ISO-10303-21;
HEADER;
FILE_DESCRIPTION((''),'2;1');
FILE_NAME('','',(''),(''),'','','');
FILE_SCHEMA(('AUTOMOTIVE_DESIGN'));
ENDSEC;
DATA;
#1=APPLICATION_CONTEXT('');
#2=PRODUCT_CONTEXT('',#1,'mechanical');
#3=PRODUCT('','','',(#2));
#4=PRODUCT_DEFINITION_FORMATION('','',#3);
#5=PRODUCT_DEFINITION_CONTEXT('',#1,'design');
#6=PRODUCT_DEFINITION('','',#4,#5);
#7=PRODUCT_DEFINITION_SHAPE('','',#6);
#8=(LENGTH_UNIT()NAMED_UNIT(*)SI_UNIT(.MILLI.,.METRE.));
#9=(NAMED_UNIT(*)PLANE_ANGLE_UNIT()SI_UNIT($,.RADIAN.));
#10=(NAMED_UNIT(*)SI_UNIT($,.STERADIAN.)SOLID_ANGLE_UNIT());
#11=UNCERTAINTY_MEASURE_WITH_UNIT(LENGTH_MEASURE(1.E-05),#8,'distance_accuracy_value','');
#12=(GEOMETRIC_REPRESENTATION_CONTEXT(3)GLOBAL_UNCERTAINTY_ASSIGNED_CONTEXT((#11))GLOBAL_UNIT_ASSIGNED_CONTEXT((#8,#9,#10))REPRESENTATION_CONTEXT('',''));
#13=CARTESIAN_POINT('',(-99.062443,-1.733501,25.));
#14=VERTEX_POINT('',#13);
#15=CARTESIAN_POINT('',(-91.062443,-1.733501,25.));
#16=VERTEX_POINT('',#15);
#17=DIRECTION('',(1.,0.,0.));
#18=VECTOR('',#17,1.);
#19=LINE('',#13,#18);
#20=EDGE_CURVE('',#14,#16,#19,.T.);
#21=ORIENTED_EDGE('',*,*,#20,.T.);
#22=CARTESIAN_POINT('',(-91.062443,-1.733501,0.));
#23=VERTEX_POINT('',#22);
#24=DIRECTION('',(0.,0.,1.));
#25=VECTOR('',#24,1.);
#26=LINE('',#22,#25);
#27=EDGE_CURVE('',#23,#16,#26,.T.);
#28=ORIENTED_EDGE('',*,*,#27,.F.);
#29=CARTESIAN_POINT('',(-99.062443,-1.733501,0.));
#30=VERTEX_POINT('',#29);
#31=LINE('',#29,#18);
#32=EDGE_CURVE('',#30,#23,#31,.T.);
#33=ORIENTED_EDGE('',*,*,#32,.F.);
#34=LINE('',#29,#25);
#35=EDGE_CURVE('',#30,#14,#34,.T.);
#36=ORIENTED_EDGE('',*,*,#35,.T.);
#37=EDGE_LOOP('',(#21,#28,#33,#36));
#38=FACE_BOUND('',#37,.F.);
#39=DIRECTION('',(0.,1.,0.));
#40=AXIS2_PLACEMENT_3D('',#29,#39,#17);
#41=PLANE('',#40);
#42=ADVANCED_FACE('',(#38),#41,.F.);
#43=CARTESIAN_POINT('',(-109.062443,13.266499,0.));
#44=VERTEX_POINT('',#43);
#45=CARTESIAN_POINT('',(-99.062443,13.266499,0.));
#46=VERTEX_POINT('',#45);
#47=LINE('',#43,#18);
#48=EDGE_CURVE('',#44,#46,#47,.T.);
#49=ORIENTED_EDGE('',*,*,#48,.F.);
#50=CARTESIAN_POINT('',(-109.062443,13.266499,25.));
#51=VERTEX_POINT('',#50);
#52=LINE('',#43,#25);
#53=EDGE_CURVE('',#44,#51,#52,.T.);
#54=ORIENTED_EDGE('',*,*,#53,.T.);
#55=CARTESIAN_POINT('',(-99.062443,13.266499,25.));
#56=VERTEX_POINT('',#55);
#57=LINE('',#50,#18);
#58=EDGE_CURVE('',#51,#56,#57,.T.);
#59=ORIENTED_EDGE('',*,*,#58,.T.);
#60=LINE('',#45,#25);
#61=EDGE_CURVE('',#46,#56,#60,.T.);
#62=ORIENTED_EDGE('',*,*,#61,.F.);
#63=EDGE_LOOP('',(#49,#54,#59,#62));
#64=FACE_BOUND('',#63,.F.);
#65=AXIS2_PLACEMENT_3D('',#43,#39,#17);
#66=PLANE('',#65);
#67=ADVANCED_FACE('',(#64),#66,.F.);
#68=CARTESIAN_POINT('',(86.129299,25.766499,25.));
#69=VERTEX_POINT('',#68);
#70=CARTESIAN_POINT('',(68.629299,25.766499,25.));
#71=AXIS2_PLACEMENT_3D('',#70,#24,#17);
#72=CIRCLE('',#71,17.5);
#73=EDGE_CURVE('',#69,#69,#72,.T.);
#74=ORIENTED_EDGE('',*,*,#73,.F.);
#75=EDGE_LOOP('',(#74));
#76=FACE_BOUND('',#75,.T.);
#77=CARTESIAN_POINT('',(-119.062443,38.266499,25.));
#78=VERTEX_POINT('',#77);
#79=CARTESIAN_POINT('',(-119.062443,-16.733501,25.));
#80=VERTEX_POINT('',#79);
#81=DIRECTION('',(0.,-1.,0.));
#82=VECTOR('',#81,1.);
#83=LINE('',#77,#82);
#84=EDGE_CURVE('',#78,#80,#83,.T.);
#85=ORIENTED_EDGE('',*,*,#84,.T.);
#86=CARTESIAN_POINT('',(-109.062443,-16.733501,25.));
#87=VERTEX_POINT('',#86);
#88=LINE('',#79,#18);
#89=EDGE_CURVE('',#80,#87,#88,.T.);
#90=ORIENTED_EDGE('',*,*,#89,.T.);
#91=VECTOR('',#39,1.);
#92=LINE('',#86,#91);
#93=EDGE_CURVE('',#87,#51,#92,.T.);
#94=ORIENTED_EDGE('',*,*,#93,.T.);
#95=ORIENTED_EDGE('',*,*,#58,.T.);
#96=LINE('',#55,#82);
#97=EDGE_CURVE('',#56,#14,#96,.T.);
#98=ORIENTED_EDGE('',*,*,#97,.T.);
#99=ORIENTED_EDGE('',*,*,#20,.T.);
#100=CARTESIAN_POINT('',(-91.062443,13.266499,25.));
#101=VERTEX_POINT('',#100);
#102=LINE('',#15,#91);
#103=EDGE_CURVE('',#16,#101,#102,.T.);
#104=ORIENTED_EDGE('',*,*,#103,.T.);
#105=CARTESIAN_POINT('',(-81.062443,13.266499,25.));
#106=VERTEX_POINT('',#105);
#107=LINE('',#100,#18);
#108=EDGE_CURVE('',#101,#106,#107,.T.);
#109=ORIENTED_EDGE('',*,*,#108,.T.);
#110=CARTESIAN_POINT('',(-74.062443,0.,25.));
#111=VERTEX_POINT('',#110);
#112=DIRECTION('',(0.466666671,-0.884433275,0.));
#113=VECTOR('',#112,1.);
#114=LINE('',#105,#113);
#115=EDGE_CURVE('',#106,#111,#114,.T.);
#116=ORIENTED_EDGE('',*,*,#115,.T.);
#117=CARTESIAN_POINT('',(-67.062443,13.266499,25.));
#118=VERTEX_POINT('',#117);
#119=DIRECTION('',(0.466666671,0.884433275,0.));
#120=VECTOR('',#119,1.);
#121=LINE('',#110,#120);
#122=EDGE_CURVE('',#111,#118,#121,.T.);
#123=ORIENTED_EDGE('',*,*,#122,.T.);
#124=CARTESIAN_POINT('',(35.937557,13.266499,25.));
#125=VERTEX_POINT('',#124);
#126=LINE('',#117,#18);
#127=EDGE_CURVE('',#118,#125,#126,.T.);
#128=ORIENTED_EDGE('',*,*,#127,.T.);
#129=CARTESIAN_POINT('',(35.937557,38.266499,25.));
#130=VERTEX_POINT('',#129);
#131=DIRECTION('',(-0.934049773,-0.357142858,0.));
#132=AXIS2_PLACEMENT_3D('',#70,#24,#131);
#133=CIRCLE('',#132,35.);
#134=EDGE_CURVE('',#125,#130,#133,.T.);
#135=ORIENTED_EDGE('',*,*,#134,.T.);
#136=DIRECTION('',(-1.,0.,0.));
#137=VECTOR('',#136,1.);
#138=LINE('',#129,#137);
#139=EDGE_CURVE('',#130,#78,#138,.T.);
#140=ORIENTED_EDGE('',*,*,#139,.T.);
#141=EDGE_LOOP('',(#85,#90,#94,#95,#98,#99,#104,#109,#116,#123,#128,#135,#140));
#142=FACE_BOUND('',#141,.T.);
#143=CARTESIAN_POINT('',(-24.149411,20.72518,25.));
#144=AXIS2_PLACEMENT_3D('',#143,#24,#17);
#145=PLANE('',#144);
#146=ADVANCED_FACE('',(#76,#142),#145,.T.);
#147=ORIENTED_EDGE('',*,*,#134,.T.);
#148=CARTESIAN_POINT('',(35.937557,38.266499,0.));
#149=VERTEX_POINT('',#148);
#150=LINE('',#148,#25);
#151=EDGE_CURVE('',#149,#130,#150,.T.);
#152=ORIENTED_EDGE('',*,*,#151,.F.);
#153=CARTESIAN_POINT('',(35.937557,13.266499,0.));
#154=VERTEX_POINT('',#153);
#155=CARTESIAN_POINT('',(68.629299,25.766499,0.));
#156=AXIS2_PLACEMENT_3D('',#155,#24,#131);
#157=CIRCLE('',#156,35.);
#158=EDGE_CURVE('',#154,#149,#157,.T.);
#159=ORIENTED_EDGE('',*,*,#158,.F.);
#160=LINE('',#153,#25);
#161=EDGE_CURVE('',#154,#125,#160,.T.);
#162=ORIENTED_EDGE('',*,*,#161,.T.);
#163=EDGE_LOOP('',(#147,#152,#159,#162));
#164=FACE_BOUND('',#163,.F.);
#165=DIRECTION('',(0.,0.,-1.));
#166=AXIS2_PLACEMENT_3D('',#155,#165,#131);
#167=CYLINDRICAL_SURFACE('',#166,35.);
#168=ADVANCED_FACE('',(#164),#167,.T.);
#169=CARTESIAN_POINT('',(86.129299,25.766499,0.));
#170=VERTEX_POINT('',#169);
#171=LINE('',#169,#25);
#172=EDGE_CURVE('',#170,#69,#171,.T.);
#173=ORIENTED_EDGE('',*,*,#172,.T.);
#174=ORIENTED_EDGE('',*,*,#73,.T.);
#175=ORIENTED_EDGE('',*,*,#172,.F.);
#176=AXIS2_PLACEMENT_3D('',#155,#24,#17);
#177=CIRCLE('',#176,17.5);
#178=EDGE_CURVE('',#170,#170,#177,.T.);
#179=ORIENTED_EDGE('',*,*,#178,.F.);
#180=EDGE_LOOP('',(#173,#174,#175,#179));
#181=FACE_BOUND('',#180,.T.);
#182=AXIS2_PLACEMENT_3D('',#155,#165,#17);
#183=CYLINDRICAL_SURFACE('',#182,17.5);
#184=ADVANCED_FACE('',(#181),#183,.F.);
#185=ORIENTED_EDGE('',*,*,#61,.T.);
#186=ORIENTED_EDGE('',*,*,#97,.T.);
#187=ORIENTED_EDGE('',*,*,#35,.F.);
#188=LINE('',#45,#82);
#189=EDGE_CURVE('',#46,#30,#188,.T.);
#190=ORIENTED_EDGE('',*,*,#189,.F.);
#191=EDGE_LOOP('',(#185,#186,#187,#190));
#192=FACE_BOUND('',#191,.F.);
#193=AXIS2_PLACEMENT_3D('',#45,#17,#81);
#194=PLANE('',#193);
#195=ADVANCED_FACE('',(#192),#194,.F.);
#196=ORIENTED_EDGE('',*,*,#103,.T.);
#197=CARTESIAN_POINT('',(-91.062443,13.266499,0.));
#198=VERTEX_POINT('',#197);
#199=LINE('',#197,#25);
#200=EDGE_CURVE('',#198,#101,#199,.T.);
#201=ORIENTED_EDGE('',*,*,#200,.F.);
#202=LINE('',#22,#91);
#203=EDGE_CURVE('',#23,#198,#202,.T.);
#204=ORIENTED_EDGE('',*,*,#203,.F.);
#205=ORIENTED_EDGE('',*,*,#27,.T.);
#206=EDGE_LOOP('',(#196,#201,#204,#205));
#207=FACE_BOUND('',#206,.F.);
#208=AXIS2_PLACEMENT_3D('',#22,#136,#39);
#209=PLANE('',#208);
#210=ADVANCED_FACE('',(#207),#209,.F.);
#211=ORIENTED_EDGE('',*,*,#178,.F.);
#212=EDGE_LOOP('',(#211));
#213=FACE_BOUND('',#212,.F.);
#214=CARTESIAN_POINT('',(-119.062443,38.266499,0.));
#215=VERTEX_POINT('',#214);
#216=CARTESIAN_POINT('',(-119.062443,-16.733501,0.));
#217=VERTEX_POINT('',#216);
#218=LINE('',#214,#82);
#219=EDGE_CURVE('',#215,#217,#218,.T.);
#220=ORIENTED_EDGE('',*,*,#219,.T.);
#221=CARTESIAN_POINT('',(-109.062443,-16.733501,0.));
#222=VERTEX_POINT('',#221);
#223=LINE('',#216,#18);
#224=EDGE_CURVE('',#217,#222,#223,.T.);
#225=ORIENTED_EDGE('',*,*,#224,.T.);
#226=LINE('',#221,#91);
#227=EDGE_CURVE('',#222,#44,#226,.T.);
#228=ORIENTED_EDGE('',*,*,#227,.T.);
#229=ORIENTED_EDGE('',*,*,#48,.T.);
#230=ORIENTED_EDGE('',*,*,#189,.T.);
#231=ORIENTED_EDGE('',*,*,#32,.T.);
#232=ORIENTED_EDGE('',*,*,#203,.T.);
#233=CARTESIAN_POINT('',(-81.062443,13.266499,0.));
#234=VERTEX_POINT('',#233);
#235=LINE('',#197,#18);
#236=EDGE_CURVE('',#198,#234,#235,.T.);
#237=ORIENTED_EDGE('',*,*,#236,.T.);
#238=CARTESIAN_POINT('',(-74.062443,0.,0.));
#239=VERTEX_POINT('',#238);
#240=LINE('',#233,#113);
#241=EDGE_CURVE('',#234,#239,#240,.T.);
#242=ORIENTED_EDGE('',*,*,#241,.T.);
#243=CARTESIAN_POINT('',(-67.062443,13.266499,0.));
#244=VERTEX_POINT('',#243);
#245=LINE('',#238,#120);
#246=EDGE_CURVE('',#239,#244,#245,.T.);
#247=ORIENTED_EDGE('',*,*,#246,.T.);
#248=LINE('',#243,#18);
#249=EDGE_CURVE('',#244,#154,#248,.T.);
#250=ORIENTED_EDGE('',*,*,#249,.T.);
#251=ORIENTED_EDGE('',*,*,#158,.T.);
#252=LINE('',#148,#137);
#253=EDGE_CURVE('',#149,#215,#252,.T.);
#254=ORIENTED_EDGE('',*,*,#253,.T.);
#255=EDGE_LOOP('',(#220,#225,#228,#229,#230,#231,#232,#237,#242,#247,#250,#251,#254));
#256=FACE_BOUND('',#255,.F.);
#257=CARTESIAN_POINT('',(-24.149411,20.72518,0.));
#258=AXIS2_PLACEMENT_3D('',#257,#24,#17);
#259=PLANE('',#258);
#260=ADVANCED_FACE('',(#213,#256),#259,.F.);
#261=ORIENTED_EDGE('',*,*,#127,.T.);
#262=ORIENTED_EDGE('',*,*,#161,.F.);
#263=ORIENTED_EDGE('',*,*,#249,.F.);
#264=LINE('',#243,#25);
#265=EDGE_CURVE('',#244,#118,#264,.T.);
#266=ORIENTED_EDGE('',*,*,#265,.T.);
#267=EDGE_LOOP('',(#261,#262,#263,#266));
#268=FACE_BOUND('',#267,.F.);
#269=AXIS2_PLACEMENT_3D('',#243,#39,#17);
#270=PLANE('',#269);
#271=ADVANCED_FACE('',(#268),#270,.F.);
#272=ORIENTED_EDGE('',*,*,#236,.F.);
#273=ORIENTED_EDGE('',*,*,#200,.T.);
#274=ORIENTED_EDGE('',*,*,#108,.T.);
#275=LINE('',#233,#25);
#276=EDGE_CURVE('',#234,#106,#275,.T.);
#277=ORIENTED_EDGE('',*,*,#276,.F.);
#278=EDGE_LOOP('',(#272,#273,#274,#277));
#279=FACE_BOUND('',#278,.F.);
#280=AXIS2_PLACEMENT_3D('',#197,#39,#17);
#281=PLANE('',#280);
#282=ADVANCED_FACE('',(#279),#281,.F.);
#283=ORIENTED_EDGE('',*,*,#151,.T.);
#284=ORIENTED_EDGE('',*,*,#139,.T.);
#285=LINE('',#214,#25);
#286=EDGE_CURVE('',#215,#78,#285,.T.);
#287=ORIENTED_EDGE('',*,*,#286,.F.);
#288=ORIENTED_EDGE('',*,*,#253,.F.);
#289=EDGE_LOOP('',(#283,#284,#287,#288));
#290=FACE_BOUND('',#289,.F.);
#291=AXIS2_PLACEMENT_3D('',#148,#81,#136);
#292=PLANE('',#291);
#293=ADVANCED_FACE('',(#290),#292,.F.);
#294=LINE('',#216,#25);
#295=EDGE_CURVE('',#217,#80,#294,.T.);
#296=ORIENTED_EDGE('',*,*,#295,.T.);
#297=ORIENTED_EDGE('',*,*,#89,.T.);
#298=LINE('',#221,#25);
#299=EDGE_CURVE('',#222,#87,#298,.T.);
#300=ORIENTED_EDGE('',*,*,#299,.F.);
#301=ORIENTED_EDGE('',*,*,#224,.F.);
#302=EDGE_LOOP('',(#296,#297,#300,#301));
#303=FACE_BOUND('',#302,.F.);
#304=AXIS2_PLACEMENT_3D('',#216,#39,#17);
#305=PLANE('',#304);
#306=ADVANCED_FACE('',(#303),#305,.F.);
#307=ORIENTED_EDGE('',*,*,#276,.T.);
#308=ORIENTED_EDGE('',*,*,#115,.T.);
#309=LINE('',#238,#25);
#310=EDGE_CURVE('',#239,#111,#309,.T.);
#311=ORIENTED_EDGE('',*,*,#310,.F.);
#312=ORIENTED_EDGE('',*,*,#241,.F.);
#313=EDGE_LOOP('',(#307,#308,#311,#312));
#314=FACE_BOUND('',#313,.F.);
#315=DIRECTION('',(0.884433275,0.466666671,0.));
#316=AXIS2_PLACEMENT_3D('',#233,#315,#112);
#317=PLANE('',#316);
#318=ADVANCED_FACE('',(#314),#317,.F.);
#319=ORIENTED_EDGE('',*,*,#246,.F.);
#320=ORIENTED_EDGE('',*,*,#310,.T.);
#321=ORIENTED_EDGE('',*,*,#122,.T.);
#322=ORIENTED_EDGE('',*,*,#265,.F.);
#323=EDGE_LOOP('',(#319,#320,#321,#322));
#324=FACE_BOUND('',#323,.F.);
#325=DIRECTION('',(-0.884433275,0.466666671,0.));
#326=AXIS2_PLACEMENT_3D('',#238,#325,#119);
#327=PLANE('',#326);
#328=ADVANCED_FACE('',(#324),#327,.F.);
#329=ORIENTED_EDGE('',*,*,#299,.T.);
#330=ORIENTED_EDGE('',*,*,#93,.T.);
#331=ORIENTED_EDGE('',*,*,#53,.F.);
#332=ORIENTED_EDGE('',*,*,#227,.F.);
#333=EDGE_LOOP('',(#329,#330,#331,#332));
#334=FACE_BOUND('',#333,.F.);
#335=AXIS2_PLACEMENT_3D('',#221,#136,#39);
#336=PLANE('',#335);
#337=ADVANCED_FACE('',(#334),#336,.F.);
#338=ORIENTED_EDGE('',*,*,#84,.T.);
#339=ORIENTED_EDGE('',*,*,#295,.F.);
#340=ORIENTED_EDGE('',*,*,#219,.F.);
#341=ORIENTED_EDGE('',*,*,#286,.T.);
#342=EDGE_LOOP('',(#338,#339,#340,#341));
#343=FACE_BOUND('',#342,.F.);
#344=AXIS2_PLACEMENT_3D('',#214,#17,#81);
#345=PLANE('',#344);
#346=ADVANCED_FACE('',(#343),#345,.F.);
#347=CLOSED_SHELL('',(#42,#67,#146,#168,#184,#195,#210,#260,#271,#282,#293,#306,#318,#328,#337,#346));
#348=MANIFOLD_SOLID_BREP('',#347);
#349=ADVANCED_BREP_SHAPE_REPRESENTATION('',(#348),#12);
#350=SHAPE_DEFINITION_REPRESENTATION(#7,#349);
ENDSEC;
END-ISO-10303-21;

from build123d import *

# Parameters (mm, degrees)
F0_R     = 17.5
F1_DEPTH = 25


with BuildPart() as f1:
    # F0 (on Top) → F1 (new body)
    with BuildSketch(Plane.XY):
        with BuildLine():
            Line((35.937557, 38.266499), (-119.062443, 38.266499))
            Line((-119.062443, 38.266499), (-119.062443, 13.266499))
            Line((-119.062443, 13.266499), (-119.062443, -16.733501))
            Line((-119.062443, -16.733501), (-109.062443, -16.733501))
            Line((-109.062443, -16.733501), (-109.062443, 13.266499))
            Line((-109.062443, 13.266499), (-99.062443, 13.266499))
            Line((-99.062443, 13.266499), (-99.062443, -1.733501))
            Line((-99.062443, -1.733501), (-91.062443, -1.733501))
            Line((-91.062443, -1.733501), (-91.062443, 13.266499))
            Line((-91.062443, 13.266499), (-81.062443, 13.266499))
            Line((-81.062443, 13.266499), (-74.062443, 0))
            Line((-74.062443, 0), (-67.062443, 13.266499))
            Line((-67.062443, 13.266499), (35.937557, 13.266499))
            ThreePointArc((35.937557, 13.266499), (103.629299, 25.766499), (35.937557, 38.266499))
        make_face()
        with Locations((68.629299, 25.766499)):
            Circle(F0_R, mode=Mode.SUBTRACT)
    extrude(amount=F1_DEPTH)


solid = f1.part
